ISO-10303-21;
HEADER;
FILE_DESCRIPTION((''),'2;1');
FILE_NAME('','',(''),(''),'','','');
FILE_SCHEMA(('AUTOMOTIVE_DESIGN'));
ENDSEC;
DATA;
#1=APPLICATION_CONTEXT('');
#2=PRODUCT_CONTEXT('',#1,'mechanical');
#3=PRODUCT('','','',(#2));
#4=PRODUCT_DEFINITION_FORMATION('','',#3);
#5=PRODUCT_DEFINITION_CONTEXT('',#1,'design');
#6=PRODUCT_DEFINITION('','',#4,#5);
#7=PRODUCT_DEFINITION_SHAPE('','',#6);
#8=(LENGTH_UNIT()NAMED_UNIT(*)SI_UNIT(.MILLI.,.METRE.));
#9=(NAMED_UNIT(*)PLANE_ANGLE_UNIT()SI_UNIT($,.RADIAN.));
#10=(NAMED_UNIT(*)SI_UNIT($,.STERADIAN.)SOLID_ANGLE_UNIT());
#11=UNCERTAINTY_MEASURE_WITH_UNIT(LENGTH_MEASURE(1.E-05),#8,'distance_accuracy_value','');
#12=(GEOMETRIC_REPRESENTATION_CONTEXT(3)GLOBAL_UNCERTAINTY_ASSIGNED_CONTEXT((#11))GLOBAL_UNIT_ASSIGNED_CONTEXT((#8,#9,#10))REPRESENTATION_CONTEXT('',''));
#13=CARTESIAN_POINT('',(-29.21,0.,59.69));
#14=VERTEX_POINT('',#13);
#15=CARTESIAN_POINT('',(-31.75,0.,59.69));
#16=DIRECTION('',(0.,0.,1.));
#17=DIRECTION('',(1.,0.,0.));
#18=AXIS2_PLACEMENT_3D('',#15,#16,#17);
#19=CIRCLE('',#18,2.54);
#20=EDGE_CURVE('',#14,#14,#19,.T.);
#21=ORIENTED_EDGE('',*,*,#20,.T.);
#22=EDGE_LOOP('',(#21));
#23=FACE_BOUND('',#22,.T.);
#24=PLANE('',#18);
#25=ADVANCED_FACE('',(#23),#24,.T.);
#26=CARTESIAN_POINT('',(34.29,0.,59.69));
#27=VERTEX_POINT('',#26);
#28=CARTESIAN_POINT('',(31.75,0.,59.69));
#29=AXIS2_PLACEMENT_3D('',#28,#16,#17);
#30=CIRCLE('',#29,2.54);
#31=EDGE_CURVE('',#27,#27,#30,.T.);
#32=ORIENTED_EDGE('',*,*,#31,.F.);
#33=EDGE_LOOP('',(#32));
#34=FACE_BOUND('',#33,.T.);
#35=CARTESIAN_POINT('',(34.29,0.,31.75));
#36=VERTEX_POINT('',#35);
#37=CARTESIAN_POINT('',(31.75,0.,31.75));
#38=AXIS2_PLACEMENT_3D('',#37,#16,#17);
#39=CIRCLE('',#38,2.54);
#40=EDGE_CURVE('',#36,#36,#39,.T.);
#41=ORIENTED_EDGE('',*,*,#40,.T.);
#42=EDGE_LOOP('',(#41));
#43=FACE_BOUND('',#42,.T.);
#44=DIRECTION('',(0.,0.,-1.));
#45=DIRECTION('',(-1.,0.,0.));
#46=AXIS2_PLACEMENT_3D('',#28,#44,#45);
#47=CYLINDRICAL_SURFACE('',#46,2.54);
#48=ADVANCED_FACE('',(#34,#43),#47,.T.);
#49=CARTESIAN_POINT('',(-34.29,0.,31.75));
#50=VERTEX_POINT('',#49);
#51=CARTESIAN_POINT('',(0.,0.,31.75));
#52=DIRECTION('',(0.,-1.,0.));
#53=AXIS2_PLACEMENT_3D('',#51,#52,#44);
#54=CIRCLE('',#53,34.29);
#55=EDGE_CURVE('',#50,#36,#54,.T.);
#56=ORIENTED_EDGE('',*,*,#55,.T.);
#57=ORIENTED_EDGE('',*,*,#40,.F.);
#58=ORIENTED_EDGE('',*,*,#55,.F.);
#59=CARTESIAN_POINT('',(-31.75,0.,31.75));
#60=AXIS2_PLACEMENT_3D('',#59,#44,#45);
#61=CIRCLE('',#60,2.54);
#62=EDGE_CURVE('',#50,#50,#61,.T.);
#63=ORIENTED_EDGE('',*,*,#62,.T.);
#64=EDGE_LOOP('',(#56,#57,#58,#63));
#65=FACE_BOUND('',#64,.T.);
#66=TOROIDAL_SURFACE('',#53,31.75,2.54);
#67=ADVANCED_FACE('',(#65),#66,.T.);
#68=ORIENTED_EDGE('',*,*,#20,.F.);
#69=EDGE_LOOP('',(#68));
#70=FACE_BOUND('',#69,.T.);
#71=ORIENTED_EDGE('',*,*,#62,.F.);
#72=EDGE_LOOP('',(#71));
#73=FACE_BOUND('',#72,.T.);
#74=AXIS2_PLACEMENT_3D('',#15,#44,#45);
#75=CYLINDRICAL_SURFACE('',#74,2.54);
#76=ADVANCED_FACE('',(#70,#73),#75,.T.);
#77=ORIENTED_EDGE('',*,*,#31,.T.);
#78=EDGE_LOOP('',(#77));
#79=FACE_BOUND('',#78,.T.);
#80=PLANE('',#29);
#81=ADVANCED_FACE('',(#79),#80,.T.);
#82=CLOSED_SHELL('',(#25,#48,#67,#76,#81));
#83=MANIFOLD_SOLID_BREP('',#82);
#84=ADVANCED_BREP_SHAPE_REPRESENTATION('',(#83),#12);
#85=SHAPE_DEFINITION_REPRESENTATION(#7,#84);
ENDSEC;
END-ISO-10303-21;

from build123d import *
from build123d.topology import SkipClean

# Parameters (mm, degrees)
SKETCH1_R                = 2.54
REVOLVE1_ANGLE           = 90
REVOLVE1_OTHER_WAY_ANGLE = 90
SKETCH2_R                = 2.54
BOSS_EXTRUDE1_DEPTH      = 27.94


with BuildPart() as part:
    # Sketch1 → Revolve1 (revolve)
    with BuildSketch(Plane(origin=(0, 0, 0), x_dir=(0, 0, -1), z_dir=(1, 0, 0))):
        Circle(SKETCH1_R)
    revolve(axis=Axis((0, -9.059790144, 31.75), (0, 1, 0)), revolution_arc=REVOLVE1_ANGLE)

    # Sketch1 → Revolve1 other way (revolve)
    with SkipClean():  # the faces are left unmerged after this step: merging them gives an invalid solid
        with BuildSketch(Plane(origin=(0, 0, 0), x_dir=(0, 0, -1), z_dir=(1, 0, 0))):
            Circle(SKETCH1_R)
        revolve(axis=Axis((0, -9.059790144, 31.75), (0, -1, 0)), revolution_arc=REVOLVE1_OTHER_WAY_ANGLE)

    # Sketch2 → Boss-Extrude1 (add)
    with SkipClean():  # the faces are left unmerged after this step: merging them gives an invalid solid
        with BuildSketch(Plane.XY.offset(31.75)):
            with Locations(Location((-31.75, 0, 0), (0, 0, 180))):
                Circle(SKETCH2_R)
            with Locations((31.75, 0)):
                Circle(SKETCH2_R)
        extrude(amount=BOSS_EXTRUDE1_DEPTH)


solid = part.part
